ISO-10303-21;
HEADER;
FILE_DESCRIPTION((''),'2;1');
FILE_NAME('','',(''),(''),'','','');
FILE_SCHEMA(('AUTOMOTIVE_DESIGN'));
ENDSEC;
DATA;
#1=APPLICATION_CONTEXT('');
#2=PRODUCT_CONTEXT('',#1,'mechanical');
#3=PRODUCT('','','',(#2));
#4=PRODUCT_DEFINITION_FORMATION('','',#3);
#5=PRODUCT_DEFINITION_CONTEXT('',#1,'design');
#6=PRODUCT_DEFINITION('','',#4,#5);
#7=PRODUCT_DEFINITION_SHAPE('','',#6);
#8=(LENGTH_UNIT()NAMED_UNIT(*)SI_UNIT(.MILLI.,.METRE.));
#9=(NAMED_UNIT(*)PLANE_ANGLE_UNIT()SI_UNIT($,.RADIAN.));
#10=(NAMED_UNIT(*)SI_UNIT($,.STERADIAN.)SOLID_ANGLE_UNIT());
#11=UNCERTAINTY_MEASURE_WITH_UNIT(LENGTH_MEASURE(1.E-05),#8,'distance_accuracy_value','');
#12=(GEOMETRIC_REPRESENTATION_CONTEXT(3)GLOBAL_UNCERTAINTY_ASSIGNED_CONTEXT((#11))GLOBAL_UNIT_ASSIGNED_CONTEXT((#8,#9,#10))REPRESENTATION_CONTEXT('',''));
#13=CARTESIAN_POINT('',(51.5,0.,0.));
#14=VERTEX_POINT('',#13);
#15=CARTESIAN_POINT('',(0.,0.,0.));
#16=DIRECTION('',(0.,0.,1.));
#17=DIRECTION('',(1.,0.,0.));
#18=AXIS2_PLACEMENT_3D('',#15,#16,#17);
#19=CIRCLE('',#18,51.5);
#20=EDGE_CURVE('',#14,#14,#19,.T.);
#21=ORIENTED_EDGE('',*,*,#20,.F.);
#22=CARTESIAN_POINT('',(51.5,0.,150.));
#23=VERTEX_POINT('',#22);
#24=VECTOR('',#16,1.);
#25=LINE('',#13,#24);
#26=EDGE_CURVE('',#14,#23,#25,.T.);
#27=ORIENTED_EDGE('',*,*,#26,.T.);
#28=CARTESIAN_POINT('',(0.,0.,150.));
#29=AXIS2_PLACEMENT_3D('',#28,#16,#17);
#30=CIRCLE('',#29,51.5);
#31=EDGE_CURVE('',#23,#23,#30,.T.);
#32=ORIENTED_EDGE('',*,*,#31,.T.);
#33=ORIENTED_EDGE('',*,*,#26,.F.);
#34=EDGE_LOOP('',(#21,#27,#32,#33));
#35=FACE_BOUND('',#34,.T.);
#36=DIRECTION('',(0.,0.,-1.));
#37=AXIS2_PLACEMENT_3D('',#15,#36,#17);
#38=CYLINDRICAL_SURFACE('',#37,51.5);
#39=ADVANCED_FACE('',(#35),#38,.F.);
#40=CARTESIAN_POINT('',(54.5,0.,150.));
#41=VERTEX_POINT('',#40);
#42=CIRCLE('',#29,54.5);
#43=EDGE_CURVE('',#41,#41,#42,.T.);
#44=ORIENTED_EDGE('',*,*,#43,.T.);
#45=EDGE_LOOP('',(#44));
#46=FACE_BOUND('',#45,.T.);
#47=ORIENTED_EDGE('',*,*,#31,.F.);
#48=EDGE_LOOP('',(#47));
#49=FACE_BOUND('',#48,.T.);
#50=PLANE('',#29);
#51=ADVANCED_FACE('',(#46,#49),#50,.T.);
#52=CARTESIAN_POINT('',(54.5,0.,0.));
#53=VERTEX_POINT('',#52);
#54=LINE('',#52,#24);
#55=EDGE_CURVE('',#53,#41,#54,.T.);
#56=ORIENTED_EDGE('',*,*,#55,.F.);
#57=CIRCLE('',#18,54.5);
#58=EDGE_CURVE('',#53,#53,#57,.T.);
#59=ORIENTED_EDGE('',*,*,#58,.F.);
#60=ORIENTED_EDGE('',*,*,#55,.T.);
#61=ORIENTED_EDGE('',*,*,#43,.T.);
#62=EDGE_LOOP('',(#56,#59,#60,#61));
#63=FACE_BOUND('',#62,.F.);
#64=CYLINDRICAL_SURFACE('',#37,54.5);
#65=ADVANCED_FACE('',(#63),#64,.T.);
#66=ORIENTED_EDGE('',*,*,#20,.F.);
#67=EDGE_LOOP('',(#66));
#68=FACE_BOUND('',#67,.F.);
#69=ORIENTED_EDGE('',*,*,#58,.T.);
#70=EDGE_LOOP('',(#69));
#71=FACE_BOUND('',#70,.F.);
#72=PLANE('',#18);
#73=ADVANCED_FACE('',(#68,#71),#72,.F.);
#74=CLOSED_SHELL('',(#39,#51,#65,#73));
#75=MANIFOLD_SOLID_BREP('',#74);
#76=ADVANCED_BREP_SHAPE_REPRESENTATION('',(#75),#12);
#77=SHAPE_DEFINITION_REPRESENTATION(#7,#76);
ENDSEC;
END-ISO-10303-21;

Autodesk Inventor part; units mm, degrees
ref_plane "YZ Plane" through (0, 0, 0) normal (1, 0, 0) x (0, 1, 0)
ref_plane "XZ Plane" through (0, 0, 0) normal (0, 1, 0) x (-1, 0, 0)
ref_plane "XY Plane" through (0, 0, 0) normal (0, 0, 1) x (1, 0, 0)
sketch "Sketch1" plane through (0, 0, 0) normal (0, 0, 1) x (1, 0, 0)
  circle A0 centre (0, 0) radius 54.5
  circle A1 centre (0, 0) radius 51.5
  dimension "d0" = 109
  dimension "d1" = 103
extrude "Extrusion1" add sketch "Sketch1" along normal blind 150
properties part number "Pipe"
